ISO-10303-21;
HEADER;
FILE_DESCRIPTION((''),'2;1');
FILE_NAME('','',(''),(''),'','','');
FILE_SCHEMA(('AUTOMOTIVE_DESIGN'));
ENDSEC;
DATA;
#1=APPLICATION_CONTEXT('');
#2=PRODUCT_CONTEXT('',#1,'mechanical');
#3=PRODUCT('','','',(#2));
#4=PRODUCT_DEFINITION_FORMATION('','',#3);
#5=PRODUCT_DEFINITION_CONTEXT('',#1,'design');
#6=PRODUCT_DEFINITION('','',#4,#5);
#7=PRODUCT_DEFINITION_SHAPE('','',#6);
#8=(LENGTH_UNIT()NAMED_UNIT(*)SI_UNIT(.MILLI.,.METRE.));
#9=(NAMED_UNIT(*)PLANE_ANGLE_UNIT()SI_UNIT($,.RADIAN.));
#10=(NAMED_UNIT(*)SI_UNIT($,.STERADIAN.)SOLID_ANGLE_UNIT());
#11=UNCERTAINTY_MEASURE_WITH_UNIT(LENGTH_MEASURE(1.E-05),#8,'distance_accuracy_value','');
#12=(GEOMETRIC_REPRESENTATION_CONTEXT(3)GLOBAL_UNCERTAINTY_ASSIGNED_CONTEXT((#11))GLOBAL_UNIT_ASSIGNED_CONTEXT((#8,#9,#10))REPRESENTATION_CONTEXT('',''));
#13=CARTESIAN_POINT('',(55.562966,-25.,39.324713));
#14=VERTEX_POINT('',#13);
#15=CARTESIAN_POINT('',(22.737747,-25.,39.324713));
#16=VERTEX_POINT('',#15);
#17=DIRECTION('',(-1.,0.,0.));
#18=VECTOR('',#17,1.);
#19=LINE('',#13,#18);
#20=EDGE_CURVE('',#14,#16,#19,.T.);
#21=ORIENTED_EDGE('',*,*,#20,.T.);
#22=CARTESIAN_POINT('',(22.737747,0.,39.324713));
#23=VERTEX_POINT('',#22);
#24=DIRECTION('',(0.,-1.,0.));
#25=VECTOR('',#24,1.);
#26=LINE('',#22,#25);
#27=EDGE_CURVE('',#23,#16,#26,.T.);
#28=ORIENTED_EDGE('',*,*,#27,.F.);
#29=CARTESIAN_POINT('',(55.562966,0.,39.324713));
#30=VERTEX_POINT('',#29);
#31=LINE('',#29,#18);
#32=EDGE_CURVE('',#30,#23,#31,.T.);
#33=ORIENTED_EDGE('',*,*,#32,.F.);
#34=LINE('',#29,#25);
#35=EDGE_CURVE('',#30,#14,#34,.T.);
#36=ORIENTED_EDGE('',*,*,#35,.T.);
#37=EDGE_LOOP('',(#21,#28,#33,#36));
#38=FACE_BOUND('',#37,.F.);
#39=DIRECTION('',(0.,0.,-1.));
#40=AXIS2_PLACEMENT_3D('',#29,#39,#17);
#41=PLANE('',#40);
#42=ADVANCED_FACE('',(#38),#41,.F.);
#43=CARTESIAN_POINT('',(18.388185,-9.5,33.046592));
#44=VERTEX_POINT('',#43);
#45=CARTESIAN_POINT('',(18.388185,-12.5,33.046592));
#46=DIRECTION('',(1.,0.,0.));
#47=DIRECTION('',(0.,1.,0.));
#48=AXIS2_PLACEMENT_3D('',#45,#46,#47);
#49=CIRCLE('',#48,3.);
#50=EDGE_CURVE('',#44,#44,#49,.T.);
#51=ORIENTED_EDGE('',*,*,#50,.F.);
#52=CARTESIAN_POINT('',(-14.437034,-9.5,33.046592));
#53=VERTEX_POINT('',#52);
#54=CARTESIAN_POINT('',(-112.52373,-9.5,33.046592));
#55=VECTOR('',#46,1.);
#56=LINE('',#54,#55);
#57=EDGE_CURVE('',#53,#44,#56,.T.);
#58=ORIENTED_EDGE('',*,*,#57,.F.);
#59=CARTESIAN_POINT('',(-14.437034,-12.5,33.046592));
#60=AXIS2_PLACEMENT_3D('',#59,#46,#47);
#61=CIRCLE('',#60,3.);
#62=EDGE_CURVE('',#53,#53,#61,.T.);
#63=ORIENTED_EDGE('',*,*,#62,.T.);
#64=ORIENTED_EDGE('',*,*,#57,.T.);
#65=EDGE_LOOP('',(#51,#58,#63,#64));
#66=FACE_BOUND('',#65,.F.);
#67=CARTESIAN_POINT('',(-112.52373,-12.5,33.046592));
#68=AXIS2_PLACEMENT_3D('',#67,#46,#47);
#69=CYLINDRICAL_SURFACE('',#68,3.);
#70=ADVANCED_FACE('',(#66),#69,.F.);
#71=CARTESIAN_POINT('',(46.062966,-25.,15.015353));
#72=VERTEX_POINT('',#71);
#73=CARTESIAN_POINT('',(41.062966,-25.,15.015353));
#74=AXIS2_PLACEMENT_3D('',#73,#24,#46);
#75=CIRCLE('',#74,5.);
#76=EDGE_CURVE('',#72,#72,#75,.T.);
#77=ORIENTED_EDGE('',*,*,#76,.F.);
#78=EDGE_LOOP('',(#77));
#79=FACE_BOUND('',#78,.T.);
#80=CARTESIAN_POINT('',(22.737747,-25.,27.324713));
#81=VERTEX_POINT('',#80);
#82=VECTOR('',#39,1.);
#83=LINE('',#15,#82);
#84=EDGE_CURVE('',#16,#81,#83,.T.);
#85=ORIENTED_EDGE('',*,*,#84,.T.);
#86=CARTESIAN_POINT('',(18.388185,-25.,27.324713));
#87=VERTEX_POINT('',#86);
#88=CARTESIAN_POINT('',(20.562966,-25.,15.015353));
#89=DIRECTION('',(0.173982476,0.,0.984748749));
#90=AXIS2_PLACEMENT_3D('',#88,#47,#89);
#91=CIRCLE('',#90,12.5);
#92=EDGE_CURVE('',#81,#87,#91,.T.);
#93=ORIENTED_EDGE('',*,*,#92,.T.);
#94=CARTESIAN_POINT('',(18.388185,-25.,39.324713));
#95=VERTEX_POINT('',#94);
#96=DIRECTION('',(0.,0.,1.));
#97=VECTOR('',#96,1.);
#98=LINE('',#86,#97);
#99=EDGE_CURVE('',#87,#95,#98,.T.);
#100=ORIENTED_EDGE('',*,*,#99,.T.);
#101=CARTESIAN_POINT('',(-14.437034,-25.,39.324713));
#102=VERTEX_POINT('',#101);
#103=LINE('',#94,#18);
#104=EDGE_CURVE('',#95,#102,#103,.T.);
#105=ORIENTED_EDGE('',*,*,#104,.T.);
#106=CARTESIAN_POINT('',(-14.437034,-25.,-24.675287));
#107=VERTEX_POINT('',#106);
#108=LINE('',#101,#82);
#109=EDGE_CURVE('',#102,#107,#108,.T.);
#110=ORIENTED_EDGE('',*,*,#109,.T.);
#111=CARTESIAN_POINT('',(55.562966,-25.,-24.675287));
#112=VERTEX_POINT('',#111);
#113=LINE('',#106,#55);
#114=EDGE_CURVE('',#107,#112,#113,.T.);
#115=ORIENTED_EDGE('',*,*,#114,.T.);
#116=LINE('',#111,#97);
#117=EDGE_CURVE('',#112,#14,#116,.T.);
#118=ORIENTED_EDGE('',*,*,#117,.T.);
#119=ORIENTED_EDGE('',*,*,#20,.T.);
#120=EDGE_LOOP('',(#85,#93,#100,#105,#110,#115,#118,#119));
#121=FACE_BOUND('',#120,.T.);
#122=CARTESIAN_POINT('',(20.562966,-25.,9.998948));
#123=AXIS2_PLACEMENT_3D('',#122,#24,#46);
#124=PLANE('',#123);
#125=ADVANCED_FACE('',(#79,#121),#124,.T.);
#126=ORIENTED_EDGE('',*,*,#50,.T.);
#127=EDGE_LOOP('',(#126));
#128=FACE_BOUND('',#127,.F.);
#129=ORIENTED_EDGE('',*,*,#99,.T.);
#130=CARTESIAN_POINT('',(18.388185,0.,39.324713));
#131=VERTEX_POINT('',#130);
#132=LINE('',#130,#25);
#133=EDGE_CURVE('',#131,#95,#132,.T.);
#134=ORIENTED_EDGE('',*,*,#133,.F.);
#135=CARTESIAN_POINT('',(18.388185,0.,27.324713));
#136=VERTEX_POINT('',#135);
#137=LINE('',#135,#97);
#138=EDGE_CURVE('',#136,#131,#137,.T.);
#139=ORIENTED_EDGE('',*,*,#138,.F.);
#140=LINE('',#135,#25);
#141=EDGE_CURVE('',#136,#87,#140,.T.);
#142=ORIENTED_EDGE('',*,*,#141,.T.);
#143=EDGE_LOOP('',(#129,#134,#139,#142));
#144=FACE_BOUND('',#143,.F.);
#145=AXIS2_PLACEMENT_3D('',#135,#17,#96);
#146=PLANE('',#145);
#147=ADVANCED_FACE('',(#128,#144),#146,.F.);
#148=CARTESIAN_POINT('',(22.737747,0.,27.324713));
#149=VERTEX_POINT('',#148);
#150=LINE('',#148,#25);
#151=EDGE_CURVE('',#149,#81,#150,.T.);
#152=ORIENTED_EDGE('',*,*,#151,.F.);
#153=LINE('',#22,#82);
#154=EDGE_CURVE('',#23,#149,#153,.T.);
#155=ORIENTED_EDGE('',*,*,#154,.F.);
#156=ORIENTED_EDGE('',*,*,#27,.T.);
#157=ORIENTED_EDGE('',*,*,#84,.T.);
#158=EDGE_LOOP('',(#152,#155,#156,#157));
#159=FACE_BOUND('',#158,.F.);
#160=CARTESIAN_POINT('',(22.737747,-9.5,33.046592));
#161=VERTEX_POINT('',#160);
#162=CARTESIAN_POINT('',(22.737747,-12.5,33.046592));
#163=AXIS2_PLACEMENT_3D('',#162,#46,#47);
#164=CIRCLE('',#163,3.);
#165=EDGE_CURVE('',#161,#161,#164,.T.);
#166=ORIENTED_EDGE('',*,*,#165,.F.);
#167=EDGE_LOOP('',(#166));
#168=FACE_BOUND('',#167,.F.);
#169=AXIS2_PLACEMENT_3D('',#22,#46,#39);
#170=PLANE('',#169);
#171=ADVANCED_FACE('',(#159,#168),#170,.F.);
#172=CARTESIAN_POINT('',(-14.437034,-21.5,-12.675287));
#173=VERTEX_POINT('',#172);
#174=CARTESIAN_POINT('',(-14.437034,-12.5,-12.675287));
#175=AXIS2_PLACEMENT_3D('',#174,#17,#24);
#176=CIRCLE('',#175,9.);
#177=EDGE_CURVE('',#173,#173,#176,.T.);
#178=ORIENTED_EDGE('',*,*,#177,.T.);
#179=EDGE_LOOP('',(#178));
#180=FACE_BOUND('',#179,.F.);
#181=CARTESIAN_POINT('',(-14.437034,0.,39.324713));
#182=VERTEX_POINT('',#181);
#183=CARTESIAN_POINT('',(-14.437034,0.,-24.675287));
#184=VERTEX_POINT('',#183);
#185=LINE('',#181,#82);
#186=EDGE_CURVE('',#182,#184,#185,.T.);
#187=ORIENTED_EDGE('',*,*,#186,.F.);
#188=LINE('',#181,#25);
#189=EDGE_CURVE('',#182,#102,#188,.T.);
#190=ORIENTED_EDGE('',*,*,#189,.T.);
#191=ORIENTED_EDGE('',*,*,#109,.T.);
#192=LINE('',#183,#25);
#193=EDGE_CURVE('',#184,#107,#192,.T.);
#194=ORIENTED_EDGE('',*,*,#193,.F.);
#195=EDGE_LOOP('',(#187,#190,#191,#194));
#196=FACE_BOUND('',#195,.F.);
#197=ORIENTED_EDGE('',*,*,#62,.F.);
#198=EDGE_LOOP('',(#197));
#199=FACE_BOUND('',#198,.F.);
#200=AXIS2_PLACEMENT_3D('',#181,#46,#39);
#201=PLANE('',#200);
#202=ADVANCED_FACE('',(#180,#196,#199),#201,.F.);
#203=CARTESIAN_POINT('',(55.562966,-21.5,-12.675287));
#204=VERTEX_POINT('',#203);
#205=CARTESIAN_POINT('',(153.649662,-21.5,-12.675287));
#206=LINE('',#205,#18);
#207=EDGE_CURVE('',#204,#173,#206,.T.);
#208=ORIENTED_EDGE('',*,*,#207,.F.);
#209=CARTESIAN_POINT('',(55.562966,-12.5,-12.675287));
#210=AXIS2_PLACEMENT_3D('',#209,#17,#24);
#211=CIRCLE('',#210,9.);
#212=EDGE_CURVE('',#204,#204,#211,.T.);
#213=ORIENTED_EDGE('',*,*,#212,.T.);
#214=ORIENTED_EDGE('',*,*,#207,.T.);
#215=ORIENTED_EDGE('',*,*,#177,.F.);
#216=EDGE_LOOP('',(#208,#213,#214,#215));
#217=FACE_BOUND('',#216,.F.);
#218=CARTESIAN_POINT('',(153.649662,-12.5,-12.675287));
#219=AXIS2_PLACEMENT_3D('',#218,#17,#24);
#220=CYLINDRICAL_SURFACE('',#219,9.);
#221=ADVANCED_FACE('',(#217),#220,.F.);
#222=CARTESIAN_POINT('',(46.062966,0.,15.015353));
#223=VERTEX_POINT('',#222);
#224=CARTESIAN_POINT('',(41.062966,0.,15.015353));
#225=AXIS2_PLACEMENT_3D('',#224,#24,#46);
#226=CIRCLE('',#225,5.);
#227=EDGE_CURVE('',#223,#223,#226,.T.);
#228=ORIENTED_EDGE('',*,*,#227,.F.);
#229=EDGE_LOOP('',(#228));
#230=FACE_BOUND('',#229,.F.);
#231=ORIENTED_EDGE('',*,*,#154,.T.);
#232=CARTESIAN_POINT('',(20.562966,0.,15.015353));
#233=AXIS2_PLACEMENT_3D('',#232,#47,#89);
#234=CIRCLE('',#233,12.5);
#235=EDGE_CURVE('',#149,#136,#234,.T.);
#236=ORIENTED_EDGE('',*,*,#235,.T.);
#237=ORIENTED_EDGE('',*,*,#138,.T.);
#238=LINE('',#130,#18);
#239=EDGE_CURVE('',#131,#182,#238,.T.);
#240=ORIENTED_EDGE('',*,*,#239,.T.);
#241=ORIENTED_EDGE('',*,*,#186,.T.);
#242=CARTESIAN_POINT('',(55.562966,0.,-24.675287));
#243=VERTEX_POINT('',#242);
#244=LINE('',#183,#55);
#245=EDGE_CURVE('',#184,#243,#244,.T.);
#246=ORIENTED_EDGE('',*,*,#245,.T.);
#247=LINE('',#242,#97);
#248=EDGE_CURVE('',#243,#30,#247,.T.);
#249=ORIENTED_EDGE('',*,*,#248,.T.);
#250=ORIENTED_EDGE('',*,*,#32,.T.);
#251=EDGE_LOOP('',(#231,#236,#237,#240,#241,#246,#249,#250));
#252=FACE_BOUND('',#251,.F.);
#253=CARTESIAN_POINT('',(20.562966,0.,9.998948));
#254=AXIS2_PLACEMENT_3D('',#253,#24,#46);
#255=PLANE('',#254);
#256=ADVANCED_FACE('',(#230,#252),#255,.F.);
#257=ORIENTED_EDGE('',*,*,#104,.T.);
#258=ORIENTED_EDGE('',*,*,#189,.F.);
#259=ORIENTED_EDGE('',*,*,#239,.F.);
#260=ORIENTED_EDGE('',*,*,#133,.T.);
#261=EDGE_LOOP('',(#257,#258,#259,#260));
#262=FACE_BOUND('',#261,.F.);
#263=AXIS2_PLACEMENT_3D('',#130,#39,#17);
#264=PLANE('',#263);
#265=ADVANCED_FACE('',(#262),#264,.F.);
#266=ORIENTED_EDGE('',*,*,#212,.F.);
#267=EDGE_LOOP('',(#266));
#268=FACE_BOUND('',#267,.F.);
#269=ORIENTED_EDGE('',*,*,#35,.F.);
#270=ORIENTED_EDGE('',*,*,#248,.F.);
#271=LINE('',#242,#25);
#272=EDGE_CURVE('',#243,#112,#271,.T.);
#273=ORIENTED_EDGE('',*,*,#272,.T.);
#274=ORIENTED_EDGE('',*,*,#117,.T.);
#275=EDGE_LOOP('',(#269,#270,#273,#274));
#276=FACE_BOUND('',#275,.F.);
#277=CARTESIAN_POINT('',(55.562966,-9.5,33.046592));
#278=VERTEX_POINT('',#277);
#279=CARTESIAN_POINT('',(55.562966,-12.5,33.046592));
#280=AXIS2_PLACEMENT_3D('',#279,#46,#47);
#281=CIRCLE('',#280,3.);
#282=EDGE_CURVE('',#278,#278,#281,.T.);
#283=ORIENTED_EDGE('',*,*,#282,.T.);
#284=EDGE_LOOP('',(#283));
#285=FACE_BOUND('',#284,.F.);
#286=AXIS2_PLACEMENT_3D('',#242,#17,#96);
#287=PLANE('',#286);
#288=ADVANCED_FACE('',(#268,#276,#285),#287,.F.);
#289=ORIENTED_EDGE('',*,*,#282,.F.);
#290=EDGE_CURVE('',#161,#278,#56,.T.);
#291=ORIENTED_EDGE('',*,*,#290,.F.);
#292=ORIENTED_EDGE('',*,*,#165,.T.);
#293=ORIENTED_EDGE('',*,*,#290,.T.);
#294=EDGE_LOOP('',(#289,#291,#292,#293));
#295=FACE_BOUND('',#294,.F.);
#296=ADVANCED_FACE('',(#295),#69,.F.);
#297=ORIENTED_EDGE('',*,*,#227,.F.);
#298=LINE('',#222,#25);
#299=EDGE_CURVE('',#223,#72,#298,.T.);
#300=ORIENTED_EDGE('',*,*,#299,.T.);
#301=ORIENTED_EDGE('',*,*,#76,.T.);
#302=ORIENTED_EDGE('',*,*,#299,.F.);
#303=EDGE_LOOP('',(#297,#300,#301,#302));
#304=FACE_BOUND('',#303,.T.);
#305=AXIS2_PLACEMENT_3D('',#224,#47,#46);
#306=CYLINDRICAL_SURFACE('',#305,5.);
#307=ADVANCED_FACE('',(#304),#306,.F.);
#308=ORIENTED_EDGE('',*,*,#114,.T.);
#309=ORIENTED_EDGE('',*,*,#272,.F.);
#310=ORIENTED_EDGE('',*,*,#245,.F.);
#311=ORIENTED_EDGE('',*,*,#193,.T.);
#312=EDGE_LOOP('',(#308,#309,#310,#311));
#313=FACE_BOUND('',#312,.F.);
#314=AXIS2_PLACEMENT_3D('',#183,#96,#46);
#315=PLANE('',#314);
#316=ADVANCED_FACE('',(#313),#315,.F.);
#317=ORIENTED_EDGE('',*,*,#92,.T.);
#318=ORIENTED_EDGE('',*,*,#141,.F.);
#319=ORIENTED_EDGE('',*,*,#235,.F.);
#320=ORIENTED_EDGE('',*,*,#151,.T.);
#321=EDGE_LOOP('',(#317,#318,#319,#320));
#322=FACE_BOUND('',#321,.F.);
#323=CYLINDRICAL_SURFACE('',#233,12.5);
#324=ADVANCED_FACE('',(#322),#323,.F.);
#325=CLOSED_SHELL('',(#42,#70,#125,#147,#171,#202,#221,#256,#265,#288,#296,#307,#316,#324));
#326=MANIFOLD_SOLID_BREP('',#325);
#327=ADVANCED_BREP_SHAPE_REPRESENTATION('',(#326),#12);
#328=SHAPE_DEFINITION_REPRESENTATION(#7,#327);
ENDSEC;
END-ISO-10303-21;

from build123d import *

# Parameters (mm, degrees)
F0_R     = 5
F1_DEPTH = 25
F3_D     = 6
F5_D     = 18


with BuildPart() as f1:
    # F0 (on Front) → F1 (new body)
    with BuildSketch(Plane.XZ):
        with BuildLine():
            ThreePointArc((22.737747, 27.324713), (20.562966, 2.515353), (18.388185, 27.324713))
            Line((18.388185, 27.324713), (18.388185, 39.324713))
            Line((18.388185, 39.324713), (-14.437034, 39.324713))
            Line((-14.437034, 39.324713), (-14.437034, -24.675287))
            Line((-14.437034, -24.675287), (20.562966, -24.675287))
            Line((20.562966, -24.675287), (55.562966, -24.675287))
            Line((55.562966, -24.675287), (55.562966, 39.324713))
            Line((55.562966, 39.324713), (22.737747, 39.324713))
            Line((22.737747, 39.324713), (22.737747, 27.324713))
        make_face()
        with Locations((41.062966, 15.015353)):
            Circle(F0_R, mode=Mode.SUBTRACT)
    extrude(amount=F1_DEPTH)

    # F3 (through all)
    with Locations(Plane(origin=(-14.437034, 0, 0), x_dir=(0, -1, 0), z_dir=(-1, 0, 0))):
        with Locations((12.5, 33.046592)):
            Hole(F3_D / 2)

    # F5 (through all)
    with Locations(Plane.YZ.offset(55.562966)):
        with Locations((-12.5, -12.675287)):
            Hole(F5_D / 2)


solid = f1.part
